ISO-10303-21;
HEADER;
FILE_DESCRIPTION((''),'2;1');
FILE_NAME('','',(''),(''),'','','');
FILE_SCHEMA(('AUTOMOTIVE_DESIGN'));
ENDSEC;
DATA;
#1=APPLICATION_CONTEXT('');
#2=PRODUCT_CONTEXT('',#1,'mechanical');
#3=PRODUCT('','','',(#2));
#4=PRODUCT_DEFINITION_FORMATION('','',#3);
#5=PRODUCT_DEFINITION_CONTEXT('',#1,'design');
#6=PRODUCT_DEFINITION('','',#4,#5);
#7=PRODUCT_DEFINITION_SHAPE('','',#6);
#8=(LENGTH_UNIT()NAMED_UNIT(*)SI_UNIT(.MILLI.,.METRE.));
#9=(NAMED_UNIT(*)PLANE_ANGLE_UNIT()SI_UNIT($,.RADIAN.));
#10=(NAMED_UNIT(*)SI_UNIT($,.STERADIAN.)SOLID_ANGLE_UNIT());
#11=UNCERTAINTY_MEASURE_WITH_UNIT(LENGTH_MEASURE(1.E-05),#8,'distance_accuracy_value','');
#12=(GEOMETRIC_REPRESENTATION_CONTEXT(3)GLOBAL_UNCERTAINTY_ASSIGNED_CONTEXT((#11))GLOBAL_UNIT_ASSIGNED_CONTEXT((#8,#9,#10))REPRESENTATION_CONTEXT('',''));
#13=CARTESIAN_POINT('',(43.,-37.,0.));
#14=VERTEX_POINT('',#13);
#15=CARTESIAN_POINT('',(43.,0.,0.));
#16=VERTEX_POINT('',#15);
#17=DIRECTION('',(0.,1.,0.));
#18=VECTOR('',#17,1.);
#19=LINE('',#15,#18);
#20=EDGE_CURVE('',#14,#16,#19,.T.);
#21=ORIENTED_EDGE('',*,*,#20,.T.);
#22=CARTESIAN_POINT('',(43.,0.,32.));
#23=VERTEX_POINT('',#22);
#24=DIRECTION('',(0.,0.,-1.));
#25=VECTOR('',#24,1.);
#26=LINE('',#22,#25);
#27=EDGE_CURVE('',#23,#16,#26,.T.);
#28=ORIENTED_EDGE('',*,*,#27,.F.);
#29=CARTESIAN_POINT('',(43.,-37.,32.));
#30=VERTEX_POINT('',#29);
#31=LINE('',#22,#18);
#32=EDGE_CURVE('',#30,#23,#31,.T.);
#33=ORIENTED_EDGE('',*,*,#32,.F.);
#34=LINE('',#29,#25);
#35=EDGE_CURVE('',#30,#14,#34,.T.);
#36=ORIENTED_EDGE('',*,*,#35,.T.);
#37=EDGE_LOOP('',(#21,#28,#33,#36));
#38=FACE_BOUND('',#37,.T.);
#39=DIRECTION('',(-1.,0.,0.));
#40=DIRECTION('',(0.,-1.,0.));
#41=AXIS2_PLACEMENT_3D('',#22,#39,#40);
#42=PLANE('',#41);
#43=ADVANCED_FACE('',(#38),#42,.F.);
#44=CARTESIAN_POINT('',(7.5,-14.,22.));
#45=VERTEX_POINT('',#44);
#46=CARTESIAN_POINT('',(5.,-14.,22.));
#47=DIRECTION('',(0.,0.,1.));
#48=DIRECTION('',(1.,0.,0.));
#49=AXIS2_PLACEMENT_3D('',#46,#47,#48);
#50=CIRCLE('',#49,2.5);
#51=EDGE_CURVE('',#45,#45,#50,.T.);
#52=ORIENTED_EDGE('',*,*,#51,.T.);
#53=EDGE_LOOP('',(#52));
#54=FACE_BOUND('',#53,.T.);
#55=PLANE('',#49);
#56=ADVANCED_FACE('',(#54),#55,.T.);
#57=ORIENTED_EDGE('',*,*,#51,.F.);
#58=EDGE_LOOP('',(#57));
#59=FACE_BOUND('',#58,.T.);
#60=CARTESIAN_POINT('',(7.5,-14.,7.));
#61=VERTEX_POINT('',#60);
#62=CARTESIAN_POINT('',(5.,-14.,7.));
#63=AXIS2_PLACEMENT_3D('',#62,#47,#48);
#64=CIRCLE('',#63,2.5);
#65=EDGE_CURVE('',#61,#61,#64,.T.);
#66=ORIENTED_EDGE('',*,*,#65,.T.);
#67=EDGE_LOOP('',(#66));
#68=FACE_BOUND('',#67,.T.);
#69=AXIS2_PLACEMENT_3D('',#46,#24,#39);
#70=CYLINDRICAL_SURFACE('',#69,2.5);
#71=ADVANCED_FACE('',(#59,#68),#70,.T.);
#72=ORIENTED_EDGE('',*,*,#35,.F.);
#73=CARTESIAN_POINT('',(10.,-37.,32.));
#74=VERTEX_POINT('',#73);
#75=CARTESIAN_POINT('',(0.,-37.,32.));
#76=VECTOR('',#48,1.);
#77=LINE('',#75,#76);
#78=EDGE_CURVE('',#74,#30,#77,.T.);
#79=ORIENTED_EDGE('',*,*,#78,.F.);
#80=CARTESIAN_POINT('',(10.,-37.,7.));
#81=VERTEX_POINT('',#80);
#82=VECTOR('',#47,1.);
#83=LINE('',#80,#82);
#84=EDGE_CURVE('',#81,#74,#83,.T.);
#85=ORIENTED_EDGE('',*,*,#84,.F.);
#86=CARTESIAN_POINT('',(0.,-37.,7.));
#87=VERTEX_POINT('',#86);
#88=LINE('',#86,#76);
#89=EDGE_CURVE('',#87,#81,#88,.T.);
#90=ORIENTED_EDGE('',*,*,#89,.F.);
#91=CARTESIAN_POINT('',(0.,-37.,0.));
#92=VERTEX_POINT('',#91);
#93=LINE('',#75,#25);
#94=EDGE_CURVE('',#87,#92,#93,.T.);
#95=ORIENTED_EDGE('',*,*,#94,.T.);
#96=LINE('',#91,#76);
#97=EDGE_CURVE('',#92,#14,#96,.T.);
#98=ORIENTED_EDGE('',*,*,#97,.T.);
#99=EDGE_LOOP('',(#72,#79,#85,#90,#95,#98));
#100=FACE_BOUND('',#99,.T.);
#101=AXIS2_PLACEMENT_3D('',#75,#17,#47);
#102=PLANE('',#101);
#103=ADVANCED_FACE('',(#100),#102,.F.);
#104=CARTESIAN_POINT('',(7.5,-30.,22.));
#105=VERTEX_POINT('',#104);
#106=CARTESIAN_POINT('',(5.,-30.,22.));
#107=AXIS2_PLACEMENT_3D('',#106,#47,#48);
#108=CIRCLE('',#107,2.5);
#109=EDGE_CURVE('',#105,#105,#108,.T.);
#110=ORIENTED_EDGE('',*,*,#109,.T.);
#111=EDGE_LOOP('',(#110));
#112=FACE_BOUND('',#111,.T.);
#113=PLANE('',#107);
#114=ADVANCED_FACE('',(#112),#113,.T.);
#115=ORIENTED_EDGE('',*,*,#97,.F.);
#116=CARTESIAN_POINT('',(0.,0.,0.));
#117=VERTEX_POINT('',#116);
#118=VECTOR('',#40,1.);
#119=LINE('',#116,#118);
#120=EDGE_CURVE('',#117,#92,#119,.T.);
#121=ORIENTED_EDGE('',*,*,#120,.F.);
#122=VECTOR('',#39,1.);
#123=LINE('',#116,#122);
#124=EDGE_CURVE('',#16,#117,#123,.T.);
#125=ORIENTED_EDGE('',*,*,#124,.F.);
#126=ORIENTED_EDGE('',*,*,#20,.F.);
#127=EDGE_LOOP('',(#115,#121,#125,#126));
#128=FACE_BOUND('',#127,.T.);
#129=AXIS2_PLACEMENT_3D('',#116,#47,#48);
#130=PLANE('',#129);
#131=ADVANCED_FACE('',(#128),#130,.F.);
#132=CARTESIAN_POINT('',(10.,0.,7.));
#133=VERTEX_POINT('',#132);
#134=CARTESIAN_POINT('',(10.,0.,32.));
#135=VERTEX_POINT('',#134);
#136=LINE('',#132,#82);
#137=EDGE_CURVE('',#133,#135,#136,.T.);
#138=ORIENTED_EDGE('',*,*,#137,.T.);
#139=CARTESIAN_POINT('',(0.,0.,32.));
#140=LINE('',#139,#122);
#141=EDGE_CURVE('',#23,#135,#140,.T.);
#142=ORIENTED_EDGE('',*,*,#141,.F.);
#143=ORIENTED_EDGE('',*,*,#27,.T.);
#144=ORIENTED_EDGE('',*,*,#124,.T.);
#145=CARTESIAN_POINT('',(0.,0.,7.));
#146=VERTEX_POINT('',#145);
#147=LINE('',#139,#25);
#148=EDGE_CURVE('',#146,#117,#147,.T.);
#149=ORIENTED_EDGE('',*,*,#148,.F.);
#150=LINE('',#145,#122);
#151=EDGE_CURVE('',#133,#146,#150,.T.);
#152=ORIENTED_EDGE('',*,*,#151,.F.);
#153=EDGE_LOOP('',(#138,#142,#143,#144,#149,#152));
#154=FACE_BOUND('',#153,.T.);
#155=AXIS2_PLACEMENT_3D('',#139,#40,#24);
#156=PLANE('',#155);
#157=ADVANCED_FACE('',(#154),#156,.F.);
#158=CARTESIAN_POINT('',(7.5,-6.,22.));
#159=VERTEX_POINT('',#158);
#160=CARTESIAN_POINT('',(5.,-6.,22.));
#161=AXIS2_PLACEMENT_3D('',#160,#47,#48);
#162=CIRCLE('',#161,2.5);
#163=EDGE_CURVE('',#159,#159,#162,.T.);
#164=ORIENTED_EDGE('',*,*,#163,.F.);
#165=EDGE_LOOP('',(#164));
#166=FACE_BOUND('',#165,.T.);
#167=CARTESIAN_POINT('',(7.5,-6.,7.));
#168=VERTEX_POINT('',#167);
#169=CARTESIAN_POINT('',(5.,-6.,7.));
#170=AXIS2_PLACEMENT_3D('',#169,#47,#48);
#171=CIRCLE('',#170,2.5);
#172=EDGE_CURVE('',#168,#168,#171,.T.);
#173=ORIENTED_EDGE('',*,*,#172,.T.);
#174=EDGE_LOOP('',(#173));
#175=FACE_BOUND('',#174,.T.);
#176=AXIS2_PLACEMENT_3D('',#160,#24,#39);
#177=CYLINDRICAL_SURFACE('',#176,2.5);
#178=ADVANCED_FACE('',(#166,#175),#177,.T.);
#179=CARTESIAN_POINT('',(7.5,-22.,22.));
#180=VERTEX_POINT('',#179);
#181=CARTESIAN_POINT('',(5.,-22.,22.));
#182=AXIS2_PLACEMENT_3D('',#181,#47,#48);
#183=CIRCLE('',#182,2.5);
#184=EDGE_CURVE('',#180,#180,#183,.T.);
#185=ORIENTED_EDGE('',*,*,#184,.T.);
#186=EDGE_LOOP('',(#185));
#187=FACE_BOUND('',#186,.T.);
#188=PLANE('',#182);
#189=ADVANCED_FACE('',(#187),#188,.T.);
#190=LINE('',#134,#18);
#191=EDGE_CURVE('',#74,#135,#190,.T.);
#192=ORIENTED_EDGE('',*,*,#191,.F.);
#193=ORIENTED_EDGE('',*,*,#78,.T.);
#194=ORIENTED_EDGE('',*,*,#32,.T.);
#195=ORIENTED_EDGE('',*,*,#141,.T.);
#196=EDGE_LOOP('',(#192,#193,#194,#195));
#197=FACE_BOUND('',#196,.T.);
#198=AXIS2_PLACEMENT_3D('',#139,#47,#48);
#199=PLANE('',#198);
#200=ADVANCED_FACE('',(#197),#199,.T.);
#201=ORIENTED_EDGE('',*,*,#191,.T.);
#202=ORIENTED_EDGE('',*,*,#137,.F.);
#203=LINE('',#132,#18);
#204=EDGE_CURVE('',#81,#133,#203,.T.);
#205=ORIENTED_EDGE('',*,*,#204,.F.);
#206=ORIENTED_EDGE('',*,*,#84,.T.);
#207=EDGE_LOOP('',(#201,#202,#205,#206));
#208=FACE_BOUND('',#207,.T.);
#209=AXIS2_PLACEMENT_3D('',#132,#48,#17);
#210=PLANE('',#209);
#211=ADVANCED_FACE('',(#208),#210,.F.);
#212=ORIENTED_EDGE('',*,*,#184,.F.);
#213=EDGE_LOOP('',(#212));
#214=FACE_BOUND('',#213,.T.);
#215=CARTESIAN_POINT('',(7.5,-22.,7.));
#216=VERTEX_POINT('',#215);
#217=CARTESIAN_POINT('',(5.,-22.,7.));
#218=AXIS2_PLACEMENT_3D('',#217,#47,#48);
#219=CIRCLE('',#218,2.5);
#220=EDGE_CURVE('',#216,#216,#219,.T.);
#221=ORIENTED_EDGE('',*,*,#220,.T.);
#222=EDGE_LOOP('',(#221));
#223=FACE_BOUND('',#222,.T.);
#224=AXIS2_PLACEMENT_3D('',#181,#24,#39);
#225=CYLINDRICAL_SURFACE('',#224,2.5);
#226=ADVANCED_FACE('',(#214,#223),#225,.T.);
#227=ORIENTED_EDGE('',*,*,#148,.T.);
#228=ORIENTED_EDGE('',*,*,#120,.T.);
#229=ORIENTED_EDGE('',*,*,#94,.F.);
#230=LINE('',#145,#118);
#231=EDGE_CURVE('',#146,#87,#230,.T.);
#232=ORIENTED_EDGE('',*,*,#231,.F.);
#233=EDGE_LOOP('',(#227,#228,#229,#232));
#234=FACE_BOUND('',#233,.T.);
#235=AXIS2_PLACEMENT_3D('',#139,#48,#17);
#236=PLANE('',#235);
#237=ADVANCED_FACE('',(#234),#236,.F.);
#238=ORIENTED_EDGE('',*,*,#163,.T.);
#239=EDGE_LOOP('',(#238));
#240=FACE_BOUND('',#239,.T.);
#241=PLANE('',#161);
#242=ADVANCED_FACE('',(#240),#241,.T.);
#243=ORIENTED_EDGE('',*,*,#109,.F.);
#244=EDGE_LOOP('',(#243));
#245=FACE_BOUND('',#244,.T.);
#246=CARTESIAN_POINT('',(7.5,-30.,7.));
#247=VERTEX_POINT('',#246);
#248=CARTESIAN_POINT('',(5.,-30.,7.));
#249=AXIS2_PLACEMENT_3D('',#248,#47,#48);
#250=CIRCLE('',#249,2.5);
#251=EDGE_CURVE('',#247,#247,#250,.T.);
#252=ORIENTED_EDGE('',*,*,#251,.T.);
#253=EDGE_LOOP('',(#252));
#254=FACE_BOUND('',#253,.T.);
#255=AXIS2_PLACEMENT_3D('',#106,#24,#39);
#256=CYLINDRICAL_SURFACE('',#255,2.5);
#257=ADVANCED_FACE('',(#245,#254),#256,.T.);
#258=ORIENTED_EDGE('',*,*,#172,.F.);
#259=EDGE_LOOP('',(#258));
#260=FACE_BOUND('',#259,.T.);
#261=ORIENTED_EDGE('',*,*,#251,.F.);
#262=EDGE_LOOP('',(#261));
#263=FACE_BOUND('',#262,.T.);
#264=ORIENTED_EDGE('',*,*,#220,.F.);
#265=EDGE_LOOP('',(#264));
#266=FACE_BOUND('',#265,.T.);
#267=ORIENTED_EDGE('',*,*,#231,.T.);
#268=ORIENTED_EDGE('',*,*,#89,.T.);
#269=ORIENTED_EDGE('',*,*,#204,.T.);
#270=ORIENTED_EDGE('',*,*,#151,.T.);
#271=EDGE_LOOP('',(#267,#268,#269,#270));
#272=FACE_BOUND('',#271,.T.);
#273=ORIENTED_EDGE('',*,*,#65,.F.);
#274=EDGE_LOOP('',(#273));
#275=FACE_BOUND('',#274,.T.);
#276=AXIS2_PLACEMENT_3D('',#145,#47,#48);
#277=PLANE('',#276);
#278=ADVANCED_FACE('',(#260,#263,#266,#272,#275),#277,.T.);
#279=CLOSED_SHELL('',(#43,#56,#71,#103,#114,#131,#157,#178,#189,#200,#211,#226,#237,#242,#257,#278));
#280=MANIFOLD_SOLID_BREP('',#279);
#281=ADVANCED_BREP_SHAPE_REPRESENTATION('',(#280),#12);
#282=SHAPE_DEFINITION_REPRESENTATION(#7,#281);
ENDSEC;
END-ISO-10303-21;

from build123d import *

# Parameters (mm, degrees)
SKETCH1_W           = 43
SKETCH1_H           = 37
BOSS_EXTRUDE1_DEPTH = 32
SKETCH2_W           = 10
SKETCH2_H           = 37
CUT_EXTRUDE1_DEPTH  = 25
SKETCH3_R           = 2.5
BOSS_EXTRUDE2_DEPTH = 15


with BuildPart() as part:
    # Sketch1 → Boss-Extrude1 (new body)
    with BuildSketch(Plane.XY):
        with Locations((21.5, -18.5)):
            Rectangle(SKETCH1_W, SKETCH1_H)
    extrude(amount=BOSS_EXTRUDE1_DEPTH)

    # Sketch2 → Cut-Extrude1 (cut)
    with BuildSketch(Plane.XY.offset(32)):
        with Locations((5, -18.5)):
            Rectangle(SKETCH2_W, SKETCH2_H)
    extrude(amount=-CUT_EXTRUDE1_DEPTH, mode=Mode.SUBTRACT)

    # Sketch3 → Boss-Extrude2 (add)
    with BuildSketch(Plane.XY.offset(7)):
        with Locations((5, -6)):
            Circle(SKETCH3_R)
        with Locations((5, -14)):
            Circle(SKETCH3_R)
        with Locations((5, -22)):
            Circle(SKETCH3_R)
        with Locations((5, -30)):
            Circle(SKETCH3_R)
    extrude(amount=BOSS_EXTRUDE2_DEPTH)


solid = part.part
